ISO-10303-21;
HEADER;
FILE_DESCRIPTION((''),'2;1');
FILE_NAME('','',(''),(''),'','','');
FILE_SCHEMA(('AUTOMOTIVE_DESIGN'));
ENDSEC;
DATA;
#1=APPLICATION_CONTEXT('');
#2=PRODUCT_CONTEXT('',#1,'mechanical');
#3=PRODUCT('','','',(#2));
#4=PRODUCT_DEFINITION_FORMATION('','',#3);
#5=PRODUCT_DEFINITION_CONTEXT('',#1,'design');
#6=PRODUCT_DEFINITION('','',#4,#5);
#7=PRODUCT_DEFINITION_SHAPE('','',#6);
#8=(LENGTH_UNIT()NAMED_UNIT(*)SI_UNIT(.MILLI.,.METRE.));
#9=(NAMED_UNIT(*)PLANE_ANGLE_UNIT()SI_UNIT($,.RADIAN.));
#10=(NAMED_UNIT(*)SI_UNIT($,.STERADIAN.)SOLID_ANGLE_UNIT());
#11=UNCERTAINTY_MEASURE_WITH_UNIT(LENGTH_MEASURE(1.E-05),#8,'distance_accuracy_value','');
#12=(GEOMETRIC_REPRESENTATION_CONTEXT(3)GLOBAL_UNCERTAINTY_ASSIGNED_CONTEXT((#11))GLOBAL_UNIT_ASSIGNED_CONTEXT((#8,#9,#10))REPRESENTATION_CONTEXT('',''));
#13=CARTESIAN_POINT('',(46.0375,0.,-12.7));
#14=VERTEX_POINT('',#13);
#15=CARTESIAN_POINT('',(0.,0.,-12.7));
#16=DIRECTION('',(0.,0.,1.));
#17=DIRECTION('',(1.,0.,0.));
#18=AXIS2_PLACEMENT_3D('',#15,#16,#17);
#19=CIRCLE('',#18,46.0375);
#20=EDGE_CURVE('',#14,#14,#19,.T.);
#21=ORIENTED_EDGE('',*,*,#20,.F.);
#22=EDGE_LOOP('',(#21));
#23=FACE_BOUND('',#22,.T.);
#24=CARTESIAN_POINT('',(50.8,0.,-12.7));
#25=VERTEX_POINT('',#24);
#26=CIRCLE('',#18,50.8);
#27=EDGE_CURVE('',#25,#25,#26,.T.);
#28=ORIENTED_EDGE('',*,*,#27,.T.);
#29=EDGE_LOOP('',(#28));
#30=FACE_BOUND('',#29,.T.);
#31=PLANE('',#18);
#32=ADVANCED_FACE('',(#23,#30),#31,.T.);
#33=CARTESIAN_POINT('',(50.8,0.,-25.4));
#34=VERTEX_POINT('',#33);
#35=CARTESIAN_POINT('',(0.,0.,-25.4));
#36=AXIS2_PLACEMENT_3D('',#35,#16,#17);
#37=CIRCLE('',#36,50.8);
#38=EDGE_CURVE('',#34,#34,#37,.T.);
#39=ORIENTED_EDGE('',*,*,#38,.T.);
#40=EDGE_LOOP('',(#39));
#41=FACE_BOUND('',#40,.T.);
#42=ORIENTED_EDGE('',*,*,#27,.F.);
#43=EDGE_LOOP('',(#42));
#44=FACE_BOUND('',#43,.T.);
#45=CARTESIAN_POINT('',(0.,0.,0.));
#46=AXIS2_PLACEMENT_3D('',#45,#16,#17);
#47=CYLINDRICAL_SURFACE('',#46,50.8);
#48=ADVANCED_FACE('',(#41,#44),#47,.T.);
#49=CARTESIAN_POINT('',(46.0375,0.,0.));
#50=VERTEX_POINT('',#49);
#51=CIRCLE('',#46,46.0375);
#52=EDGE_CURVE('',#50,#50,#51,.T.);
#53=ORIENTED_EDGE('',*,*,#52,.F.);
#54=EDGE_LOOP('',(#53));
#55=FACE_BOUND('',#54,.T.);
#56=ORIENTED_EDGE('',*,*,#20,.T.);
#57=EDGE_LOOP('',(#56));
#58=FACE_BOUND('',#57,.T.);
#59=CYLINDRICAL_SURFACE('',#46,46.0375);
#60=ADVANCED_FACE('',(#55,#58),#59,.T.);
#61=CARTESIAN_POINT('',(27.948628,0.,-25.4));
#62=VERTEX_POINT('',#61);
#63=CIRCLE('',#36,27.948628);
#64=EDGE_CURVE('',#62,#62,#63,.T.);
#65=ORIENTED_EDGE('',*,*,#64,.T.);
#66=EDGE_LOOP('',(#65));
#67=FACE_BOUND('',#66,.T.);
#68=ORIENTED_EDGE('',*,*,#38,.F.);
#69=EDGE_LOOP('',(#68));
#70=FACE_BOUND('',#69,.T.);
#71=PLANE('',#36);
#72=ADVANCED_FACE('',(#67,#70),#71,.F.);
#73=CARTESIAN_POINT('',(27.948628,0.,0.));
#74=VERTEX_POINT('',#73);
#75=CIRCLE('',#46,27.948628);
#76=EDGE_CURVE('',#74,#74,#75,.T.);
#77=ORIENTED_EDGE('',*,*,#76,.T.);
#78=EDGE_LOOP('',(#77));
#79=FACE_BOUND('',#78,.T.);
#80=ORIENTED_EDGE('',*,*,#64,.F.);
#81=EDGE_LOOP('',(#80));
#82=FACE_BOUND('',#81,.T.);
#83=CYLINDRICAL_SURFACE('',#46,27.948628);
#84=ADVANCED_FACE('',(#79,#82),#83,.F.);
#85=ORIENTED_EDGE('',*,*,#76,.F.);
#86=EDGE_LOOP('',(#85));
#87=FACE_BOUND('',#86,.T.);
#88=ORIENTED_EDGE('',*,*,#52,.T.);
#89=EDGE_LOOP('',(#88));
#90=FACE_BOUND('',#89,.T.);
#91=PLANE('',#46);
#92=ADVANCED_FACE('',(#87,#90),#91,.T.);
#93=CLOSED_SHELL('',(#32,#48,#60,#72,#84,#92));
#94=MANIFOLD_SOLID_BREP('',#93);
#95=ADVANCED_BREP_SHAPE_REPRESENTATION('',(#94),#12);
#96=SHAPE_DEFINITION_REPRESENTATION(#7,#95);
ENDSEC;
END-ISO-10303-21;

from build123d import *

# Parameters (mm, degrees)
SKETCH1_W = 12.7
SKETCH1_H = 18.088872006


with BuildPart() as part:
    # Sketch1 → Revolve1 (revolve)
    with BuildSketch(Plane(origin=(0, 0, 0), x_dir=(0, 0, -1), z_dir=(1, 0, 0)), mode=Mode.PRIVATE) as revolve1_sk:
        Polygon((12.7, 27.948627994), (25.4, 27.948627994), (25.4, 50.8), (12.7, 50.8), (12.7, 46.0375), align=None)
        with Locations((6.35, 36.993063997)):
            Rectangle(SKETCH1_W, SKETCH1_H)
    revolve(revolve1_sk.sketch.rotate(Axis((0, 0, 0), (0, 0, -1)), 90), axis=Axis((0, 0, 0), (0, 0, -1)))


solid = part.part
